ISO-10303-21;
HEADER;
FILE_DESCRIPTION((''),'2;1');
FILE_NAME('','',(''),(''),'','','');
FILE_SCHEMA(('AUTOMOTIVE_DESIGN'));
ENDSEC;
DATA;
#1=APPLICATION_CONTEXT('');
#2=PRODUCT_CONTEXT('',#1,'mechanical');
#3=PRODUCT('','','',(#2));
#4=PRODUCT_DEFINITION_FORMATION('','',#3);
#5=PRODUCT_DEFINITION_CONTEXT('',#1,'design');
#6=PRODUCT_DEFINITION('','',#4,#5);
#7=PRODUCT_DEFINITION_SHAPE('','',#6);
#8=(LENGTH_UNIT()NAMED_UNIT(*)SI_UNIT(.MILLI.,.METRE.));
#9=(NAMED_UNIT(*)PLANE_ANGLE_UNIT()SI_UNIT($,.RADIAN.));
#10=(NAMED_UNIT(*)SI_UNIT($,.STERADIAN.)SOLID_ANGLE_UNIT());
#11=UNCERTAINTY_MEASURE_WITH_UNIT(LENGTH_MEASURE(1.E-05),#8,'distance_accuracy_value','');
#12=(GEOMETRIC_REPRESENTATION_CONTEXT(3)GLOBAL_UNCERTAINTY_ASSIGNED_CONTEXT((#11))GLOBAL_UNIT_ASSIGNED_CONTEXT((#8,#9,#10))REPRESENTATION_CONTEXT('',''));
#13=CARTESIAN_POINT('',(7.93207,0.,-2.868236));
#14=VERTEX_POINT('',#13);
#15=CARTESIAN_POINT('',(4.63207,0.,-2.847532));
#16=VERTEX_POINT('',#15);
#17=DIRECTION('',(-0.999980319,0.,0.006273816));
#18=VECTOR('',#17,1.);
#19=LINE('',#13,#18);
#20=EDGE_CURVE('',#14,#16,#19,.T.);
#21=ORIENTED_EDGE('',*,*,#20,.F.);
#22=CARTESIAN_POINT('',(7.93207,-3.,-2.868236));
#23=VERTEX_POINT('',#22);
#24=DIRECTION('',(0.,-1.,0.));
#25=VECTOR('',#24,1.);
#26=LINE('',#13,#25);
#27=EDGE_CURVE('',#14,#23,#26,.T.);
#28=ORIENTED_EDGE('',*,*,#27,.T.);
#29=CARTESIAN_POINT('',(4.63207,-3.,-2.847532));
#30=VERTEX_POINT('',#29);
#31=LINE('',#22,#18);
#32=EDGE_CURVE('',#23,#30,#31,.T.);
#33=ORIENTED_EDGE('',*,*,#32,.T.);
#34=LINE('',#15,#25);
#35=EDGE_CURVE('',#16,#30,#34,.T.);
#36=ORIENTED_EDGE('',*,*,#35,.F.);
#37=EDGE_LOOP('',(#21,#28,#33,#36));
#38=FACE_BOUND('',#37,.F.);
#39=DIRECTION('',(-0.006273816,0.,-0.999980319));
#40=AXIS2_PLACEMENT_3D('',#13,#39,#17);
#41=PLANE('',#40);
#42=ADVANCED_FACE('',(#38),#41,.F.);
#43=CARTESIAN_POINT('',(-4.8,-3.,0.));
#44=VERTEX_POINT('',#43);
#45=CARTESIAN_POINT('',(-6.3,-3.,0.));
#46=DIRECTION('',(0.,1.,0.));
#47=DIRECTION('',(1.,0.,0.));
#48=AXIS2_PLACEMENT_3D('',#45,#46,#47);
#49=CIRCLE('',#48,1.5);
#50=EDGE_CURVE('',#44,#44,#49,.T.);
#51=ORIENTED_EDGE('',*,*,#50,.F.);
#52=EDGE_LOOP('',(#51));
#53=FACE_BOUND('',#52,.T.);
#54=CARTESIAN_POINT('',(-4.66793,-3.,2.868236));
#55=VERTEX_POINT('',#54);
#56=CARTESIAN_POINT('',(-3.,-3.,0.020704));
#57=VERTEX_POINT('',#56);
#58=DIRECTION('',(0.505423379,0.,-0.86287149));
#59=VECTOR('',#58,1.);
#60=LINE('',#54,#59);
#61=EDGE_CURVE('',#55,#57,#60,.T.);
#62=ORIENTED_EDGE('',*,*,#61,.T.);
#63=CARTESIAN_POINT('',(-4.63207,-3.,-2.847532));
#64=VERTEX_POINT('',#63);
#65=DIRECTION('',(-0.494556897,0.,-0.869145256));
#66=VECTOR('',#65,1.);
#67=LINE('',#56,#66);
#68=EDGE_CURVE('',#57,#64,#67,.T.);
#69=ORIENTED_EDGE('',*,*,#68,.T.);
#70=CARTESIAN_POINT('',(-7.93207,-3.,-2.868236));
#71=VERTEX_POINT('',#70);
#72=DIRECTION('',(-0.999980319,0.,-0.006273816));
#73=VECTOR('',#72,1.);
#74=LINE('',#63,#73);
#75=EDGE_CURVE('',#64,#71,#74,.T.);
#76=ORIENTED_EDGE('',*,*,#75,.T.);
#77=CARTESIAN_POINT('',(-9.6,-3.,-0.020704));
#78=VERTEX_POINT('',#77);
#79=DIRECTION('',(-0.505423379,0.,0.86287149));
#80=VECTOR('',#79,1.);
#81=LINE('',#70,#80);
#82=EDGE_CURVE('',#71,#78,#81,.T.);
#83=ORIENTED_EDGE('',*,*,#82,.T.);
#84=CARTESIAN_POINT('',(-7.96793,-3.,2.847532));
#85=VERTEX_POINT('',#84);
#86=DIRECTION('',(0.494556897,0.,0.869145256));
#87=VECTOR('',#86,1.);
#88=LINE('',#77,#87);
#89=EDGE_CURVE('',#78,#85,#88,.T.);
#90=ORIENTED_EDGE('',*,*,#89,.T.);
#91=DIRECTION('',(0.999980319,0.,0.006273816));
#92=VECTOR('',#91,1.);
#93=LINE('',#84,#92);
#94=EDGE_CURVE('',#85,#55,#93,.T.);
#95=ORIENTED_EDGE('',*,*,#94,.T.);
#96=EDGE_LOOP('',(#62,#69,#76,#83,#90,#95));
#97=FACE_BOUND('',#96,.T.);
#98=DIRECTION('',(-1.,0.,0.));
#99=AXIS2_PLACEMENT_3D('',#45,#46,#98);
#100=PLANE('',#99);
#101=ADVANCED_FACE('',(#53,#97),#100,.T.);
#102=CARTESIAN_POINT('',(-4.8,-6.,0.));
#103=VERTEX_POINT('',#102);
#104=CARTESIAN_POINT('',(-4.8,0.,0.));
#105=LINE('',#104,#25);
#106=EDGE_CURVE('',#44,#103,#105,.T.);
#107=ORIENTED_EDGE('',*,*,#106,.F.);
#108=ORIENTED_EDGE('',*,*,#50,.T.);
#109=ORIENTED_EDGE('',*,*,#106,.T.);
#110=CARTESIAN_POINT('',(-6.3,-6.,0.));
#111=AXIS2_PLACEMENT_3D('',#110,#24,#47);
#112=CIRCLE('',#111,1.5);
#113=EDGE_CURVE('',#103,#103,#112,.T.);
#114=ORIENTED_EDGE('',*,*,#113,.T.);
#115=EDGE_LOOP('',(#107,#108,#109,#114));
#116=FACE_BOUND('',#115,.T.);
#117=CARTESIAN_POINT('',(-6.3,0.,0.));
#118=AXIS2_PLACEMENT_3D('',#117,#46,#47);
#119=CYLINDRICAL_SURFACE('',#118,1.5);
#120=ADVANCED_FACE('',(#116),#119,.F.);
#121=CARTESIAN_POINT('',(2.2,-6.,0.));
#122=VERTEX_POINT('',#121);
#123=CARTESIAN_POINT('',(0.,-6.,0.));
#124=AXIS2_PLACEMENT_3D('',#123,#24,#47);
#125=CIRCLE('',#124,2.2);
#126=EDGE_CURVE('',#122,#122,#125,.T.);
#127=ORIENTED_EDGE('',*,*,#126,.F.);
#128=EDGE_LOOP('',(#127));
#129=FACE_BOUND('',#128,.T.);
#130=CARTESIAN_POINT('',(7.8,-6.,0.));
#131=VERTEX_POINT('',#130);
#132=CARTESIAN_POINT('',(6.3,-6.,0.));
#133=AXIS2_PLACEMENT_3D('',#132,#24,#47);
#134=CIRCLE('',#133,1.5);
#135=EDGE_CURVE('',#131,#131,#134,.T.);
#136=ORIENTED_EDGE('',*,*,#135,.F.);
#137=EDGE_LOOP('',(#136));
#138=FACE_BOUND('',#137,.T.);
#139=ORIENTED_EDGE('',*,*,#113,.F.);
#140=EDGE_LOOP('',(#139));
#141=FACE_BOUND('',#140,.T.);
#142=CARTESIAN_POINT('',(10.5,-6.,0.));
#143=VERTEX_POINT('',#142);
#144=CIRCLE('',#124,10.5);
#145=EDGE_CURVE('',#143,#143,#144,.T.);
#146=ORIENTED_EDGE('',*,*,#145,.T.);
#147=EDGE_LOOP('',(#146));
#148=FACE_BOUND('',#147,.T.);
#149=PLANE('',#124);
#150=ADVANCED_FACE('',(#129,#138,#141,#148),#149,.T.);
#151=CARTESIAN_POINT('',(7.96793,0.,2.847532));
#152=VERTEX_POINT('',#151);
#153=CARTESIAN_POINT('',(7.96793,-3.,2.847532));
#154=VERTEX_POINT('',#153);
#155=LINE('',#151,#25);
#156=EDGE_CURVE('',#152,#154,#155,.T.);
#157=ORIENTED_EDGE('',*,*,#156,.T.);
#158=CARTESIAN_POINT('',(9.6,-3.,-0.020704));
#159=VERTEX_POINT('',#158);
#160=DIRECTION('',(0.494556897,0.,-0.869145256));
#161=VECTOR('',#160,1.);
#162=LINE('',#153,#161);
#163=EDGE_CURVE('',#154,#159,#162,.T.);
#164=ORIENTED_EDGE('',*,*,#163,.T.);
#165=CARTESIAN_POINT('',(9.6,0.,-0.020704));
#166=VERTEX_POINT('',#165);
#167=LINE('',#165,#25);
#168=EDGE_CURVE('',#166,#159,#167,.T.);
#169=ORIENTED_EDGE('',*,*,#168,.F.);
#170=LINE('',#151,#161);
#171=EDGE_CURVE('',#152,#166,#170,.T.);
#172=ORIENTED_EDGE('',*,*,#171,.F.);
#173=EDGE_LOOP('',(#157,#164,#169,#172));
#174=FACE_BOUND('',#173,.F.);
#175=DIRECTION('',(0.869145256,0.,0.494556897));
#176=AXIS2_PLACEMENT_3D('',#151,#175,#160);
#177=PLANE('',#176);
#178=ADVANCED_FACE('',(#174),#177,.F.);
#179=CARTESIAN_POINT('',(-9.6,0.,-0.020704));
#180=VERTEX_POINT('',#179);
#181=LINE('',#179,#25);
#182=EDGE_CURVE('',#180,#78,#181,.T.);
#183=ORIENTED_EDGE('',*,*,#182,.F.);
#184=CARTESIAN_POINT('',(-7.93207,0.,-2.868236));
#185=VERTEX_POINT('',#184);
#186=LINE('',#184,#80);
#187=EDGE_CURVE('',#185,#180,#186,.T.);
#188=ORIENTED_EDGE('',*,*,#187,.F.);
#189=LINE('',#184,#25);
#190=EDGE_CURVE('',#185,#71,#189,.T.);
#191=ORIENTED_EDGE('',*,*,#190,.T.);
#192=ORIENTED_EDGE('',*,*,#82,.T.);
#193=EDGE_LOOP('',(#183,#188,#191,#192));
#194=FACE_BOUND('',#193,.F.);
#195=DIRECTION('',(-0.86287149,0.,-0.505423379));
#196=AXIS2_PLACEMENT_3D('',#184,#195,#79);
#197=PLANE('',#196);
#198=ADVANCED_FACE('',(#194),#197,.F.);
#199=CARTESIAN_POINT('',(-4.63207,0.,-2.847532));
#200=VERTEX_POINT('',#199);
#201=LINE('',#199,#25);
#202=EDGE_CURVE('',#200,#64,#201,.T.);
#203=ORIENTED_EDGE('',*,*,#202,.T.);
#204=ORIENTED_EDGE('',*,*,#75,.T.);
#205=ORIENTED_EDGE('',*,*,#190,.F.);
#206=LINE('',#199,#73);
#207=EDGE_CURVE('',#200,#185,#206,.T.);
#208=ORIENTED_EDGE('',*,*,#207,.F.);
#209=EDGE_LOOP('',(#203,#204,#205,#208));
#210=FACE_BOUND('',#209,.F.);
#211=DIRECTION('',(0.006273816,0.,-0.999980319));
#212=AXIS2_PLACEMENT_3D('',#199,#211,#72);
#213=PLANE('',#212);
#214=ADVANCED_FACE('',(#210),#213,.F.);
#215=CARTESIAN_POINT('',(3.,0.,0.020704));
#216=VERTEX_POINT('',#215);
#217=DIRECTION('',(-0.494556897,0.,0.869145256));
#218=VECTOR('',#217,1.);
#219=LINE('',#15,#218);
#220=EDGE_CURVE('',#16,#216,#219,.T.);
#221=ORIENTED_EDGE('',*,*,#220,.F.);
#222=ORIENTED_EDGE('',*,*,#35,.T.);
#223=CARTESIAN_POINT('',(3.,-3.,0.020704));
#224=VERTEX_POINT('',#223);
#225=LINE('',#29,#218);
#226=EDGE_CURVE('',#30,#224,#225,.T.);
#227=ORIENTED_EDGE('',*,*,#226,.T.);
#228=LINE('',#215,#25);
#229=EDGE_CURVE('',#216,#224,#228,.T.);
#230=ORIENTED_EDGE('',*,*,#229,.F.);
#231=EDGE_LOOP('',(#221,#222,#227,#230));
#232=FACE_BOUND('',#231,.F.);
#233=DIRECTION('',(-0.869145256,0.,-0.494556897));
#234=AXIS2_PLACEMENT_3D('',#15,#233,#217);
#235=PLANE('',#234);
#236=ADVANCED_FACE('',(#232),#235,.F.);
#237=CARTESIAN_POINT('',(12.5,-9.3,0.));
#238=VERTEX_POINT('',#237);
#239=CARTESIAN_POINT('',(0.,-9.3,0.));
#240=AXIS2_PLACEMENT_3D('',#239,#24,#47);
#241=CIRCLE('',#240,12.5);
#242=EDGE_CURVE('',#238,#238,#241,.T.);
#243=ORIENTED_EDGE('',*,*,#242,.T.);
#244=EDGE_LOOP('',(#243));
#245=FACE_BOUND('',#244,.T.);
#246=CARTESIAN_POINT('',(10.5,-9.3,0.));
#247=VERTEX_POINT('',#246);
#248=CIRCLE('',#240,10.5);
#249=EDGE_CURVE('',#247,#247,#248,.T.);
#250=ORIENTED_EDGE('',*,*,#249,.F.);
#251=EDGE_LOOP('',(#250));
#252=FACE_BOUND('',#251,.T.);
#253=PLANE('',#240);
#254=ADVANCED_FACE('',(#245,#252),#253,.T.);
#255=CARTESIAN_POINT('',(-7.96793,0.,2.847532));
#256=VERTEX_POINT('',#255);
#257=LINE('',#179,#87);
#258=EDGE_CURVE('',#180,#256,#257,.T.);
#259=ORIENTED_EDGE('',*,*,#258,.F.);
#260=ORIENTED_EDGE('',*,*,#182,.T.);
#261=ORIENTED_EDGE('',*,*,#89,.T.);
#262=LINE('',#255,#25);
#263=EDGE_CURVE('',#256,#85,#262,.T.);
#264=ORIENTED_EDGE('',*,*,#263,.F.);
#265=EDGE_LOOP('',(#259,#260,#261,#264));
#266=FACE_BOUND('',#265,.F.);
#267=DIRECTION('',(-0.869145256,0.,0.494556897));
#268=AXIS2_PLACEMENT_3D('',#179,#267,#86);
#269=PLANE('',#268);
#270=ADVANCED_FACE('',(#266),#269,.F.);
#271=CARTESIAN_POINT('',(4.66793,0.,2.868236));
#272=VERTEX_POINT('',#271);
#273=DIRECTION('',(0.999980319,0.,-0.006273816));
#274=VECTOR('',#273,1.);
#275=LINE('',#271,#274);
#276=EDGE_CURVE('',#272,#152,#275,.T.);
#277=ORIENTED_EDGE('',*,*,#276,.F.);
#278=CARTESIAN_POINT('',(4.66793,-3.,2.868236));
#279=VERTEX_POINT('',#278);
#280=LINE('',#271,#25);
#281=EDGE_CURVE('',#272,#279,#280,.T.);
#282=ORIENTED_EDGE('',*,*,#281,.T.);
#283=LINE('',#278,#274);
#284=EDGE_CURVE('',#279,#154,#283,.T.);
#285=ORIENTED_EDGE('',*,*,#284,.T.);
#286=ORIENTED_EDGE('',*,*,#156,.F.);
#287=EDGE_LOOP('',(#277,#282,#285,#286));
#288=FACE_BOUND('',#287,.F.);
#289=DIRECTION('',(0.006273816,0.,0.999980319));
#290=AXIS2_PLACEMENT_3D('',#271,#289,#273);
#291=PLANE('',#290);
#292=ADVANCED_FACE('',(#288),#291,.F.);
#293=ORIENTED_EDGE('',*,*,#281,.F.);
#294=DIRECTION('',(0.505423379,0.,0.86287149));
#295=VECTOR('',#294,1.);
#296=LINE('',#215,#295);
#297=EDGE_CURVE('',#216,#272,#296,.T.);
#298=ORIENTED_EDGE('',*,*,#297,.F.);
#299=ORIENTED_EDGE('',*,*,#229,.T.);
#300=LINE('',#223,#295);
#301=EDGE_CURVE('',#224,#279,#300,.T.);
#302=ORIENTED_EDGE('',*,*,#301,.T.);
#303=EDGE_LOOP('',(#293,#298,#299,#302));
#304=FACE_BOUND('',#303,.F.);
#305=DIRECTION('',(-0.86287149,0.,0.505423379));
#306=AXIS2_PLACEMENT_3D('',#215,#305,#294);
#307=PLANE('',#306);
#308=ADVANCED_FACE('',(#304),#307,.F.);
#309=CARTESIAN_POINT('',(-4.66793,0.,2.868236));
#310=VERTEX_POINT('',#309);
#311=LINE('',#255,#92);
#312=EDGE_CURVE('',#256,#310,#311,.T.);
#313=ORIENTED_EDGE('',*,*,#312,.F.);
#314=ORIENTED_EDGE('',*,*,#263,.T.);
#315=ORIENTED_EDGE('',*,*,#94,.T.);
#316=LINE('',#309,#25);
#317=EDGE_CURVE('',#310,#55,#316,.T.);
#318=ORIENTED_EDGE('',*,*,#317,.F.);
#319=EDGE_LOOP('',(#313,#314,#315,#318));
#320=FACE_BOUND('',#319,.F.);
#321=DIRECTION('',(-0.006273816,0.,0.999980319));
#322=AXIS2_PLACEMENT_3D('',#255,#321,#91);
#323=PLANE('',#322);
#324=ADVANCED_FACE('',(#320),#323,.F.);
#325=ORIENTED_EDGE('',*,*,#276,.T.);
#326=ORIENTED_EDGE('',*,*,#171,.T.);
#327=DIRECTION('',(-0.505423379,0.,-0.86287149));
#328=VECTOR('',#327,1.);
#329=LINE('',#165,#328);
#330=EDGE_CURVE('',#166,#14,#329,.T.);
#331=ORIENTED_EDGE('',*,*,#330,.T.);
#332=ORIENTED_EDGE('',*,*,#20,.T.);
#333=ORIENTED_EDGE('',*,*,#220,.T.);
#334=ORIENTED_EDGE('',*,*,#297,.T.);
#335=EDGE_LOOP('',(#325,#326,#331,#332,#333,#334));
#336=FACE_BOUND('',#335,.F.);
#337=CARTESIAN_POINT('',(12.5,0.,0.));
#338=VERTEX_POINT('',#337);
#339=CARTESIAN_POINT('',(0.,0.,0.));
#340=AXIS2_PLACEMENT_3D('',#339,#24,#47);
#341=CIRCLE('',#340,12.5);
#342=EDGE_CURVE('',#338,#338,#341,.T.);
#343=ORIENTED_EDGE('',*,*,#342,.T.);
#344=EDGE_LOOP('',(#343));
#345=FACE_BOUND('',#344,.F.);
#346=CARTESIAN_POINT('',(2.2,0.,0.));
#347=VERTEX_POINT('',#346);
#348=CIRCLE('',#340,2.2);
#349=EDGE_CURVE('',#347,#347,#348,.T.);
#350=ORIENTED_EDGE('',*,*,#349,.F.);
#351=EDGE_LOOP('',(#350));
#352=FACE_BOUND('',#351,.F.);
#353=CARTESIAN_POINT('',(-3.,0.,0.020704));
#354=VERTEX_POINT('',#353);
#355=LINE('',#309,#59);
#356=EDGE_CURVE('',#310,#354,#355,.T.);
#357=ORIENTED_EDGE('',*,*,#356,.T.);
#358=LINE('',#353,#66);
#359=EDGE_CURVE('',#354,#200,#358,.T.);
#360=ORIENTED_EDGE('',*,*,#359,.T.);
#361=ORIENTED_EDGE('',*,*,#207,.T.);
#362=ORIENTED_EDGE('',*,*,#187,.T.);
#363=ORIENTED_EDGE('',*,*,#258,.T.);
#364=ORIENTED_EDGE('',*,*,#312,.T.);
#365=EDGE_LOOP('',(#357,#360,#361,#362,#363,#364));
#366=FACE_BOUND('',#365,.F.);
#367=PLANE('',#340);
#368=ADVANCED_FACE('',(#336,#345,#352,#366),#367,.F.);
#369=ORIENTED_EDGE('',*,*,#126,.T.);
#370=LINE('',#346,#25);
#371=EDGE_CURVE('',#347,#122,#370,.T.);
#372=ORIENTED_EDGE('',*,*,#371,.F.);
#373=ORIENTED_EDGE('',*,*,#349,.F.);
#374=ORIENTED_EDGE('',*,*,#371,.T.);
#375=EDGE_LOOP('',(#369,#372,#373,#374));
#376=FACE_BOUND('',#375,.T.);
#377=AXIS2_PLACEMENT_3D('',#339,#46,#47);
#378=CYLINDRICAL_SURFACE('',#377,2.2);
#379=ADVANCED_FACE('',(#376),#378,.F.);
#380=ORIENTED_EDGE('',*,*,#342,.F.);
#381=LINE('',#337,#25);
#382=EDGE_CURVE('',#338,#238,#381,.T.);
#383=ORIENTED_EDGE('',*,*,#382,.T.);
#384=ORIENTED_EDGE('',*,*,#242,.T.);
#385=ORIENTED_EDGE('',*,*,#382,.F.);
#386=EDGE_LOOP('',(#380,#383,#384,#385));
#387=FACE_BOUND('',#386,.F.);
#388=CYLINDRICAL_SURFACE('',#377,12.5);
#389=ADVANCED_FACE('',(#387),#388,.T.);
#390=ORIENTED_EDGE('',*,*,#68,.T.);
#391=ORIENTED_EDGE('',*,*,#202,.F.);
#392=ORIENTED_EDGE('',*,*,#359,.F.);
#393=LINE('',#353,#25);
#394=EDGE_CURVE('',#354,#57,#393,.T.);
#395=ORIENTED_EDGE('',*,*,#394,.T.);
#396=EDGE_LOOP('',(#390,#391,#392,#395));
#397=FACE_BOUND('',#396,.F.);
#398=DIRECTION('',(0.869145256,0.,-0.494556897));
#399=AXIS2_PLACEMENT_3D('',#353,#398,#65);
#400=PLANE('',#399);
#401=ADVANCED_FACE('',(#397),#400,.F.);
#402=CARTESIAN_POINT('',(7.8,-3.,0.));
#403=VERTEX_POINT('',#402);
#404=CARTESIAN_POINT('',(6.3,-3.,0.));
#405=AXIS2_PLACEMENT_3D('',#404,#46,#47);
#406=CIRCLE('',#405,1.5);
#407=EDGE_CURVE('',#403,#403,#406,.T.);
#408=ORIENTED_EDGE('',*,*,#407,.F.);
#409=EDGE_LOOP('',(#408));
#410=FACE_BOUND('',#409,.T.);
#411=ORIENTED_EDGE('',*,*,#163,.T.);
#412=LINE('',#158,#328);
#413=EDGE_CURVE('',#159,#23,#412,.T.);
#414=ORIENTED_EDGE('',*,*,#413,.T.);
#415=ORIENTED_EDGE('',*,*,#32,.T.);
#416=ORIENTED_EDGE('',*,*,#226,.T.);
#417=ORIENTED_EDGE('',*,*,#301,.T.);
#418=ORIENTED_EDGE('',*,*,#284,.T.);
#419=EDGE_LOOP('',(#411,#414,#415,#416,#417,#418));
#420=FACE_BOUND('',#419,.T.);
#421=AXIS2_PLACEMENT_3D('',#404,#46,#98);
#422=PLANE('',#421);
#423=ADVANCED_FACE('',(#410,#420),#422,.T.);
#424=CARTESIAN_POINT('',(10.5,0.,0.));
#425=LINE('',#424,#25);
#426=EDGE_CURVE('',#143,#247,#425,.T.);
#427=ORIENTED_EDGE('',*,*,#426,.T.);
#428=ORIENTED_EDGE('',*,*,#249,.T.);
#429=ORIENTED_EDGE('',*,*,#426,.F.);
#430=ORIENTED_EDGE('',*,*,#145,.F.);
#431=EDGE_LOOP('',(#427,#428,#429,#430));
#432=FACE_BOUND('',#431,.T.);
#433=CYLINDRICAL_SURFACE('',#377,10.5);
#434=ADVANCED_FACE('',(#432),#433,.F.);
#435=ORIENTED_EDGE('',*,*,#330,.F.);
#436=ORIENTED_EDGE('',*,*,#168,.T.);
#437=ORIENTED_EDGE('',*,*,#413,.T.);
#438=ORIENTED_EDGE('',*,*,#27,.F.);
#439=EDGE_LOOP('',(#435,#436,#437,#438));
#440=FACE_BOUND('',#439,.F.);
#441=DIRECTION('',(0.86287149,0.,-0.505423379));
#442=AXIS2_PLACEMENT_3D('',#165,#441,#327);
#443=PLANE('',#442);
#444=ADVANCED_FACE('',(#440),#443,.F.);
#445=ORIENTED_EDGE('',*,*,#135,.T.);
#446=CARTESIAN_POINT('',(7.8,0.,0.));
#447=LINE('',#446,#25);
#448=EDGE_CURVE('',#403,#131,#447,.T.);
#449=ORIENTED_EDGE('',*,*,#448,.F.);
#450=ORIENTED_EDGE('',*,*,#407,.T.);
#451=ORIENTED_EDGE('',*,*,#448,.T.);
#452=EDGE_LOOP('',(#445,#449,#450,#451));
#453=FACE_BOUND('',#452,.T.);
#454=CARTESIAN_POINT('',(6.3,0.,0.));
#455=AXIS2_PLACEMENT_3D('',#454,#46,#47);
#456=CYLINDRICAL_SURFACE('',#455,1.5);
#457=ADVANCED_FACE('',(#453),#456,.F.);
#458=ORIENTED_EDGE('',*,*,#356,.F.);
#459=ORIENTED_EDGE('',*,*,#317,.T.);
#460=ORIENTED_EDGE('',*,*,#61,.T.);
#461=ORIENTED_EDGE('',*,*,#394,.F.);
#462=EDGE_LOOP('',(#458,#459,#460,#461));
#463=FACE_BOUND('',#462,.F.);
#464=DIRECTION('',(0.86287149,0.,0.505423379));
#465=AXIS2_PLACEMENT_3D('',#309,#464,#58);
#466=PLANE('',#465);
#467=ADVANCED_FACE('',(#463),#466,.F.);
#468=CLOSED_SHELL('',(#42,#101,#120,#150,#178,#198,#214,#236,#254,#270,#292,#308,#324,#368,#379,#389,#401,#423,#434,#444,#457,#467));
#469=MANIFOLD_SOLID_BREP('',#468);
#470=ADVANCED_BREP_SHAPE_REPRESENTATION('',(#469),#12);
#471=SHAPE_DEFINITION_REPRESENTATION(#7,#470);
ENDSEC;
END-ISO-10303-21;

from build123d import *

# Parameters (mm, degrees)
F0_R     = 12.5
F0_R_2   = 10.5
F1_DEPTH = 9.3
F0_R_3   = 1.5
F0_R_4   = 2.2
F2_DEPTH = 6
F3_R     = 1.5
F4_DEPTH = 3


with BuildPart() as f1:
    # F0 (on Front) → F1 (new body)
    with BuildSketch(Plane.XZ):
        Circle(F0_R)
        Circle(F0_R_2, mode=Mode.SUBTRACT)
    extrude(amount=F1_DEPTH)

    # F0 (on Front) → F2 (join)
    with BuildSketch(Plane.XZ):
        Circle(F0_R_2)
        with Locations((-6.3, 0)):
            Circle(F0_R_3, mode=Mode.SUBTRACT)
        Circle(F0_R_4, mode=Mode.SUBTRACT)
        with Locations((6.3, 0)):
            Circle(F0_R_3, mode=Mode.SUBTRACT)
    extrude(amount=F2_DEPTH)

    # F3 (on face) → F4 (cut)
    with BuildSketch(Plane(origin=(0, 0, 0), x_dir=(-1, 0, 0), z_dir=(0, 1, 0))):
        Polygon((-4.63207, -2.847532), (-3, 0.020704), (-4.66793, 2.868236), (-7.96793, 2.847532), (-9.6, -0.020704), (-7.93207, -2.868236), align=None)
        with Locations((-6.3, 0)):
            Circle(F3_R, mode=Mode.SUBTRACT)
        Polygon((7.93207, -2.868236), (9.6, -0.020704), (7.96793, 2.847532), (4.66793, 2.868236), (3, 0.020704), (4.63207, -2.847532), align=None)
        with Locations((6.3, 0)):
            Circle(F3_R, mode=Mode.SUBTRACT)
    extrude(amount=-F4_DEPTH, mode=Mode.SUBTRACT)


solid = f1.part
